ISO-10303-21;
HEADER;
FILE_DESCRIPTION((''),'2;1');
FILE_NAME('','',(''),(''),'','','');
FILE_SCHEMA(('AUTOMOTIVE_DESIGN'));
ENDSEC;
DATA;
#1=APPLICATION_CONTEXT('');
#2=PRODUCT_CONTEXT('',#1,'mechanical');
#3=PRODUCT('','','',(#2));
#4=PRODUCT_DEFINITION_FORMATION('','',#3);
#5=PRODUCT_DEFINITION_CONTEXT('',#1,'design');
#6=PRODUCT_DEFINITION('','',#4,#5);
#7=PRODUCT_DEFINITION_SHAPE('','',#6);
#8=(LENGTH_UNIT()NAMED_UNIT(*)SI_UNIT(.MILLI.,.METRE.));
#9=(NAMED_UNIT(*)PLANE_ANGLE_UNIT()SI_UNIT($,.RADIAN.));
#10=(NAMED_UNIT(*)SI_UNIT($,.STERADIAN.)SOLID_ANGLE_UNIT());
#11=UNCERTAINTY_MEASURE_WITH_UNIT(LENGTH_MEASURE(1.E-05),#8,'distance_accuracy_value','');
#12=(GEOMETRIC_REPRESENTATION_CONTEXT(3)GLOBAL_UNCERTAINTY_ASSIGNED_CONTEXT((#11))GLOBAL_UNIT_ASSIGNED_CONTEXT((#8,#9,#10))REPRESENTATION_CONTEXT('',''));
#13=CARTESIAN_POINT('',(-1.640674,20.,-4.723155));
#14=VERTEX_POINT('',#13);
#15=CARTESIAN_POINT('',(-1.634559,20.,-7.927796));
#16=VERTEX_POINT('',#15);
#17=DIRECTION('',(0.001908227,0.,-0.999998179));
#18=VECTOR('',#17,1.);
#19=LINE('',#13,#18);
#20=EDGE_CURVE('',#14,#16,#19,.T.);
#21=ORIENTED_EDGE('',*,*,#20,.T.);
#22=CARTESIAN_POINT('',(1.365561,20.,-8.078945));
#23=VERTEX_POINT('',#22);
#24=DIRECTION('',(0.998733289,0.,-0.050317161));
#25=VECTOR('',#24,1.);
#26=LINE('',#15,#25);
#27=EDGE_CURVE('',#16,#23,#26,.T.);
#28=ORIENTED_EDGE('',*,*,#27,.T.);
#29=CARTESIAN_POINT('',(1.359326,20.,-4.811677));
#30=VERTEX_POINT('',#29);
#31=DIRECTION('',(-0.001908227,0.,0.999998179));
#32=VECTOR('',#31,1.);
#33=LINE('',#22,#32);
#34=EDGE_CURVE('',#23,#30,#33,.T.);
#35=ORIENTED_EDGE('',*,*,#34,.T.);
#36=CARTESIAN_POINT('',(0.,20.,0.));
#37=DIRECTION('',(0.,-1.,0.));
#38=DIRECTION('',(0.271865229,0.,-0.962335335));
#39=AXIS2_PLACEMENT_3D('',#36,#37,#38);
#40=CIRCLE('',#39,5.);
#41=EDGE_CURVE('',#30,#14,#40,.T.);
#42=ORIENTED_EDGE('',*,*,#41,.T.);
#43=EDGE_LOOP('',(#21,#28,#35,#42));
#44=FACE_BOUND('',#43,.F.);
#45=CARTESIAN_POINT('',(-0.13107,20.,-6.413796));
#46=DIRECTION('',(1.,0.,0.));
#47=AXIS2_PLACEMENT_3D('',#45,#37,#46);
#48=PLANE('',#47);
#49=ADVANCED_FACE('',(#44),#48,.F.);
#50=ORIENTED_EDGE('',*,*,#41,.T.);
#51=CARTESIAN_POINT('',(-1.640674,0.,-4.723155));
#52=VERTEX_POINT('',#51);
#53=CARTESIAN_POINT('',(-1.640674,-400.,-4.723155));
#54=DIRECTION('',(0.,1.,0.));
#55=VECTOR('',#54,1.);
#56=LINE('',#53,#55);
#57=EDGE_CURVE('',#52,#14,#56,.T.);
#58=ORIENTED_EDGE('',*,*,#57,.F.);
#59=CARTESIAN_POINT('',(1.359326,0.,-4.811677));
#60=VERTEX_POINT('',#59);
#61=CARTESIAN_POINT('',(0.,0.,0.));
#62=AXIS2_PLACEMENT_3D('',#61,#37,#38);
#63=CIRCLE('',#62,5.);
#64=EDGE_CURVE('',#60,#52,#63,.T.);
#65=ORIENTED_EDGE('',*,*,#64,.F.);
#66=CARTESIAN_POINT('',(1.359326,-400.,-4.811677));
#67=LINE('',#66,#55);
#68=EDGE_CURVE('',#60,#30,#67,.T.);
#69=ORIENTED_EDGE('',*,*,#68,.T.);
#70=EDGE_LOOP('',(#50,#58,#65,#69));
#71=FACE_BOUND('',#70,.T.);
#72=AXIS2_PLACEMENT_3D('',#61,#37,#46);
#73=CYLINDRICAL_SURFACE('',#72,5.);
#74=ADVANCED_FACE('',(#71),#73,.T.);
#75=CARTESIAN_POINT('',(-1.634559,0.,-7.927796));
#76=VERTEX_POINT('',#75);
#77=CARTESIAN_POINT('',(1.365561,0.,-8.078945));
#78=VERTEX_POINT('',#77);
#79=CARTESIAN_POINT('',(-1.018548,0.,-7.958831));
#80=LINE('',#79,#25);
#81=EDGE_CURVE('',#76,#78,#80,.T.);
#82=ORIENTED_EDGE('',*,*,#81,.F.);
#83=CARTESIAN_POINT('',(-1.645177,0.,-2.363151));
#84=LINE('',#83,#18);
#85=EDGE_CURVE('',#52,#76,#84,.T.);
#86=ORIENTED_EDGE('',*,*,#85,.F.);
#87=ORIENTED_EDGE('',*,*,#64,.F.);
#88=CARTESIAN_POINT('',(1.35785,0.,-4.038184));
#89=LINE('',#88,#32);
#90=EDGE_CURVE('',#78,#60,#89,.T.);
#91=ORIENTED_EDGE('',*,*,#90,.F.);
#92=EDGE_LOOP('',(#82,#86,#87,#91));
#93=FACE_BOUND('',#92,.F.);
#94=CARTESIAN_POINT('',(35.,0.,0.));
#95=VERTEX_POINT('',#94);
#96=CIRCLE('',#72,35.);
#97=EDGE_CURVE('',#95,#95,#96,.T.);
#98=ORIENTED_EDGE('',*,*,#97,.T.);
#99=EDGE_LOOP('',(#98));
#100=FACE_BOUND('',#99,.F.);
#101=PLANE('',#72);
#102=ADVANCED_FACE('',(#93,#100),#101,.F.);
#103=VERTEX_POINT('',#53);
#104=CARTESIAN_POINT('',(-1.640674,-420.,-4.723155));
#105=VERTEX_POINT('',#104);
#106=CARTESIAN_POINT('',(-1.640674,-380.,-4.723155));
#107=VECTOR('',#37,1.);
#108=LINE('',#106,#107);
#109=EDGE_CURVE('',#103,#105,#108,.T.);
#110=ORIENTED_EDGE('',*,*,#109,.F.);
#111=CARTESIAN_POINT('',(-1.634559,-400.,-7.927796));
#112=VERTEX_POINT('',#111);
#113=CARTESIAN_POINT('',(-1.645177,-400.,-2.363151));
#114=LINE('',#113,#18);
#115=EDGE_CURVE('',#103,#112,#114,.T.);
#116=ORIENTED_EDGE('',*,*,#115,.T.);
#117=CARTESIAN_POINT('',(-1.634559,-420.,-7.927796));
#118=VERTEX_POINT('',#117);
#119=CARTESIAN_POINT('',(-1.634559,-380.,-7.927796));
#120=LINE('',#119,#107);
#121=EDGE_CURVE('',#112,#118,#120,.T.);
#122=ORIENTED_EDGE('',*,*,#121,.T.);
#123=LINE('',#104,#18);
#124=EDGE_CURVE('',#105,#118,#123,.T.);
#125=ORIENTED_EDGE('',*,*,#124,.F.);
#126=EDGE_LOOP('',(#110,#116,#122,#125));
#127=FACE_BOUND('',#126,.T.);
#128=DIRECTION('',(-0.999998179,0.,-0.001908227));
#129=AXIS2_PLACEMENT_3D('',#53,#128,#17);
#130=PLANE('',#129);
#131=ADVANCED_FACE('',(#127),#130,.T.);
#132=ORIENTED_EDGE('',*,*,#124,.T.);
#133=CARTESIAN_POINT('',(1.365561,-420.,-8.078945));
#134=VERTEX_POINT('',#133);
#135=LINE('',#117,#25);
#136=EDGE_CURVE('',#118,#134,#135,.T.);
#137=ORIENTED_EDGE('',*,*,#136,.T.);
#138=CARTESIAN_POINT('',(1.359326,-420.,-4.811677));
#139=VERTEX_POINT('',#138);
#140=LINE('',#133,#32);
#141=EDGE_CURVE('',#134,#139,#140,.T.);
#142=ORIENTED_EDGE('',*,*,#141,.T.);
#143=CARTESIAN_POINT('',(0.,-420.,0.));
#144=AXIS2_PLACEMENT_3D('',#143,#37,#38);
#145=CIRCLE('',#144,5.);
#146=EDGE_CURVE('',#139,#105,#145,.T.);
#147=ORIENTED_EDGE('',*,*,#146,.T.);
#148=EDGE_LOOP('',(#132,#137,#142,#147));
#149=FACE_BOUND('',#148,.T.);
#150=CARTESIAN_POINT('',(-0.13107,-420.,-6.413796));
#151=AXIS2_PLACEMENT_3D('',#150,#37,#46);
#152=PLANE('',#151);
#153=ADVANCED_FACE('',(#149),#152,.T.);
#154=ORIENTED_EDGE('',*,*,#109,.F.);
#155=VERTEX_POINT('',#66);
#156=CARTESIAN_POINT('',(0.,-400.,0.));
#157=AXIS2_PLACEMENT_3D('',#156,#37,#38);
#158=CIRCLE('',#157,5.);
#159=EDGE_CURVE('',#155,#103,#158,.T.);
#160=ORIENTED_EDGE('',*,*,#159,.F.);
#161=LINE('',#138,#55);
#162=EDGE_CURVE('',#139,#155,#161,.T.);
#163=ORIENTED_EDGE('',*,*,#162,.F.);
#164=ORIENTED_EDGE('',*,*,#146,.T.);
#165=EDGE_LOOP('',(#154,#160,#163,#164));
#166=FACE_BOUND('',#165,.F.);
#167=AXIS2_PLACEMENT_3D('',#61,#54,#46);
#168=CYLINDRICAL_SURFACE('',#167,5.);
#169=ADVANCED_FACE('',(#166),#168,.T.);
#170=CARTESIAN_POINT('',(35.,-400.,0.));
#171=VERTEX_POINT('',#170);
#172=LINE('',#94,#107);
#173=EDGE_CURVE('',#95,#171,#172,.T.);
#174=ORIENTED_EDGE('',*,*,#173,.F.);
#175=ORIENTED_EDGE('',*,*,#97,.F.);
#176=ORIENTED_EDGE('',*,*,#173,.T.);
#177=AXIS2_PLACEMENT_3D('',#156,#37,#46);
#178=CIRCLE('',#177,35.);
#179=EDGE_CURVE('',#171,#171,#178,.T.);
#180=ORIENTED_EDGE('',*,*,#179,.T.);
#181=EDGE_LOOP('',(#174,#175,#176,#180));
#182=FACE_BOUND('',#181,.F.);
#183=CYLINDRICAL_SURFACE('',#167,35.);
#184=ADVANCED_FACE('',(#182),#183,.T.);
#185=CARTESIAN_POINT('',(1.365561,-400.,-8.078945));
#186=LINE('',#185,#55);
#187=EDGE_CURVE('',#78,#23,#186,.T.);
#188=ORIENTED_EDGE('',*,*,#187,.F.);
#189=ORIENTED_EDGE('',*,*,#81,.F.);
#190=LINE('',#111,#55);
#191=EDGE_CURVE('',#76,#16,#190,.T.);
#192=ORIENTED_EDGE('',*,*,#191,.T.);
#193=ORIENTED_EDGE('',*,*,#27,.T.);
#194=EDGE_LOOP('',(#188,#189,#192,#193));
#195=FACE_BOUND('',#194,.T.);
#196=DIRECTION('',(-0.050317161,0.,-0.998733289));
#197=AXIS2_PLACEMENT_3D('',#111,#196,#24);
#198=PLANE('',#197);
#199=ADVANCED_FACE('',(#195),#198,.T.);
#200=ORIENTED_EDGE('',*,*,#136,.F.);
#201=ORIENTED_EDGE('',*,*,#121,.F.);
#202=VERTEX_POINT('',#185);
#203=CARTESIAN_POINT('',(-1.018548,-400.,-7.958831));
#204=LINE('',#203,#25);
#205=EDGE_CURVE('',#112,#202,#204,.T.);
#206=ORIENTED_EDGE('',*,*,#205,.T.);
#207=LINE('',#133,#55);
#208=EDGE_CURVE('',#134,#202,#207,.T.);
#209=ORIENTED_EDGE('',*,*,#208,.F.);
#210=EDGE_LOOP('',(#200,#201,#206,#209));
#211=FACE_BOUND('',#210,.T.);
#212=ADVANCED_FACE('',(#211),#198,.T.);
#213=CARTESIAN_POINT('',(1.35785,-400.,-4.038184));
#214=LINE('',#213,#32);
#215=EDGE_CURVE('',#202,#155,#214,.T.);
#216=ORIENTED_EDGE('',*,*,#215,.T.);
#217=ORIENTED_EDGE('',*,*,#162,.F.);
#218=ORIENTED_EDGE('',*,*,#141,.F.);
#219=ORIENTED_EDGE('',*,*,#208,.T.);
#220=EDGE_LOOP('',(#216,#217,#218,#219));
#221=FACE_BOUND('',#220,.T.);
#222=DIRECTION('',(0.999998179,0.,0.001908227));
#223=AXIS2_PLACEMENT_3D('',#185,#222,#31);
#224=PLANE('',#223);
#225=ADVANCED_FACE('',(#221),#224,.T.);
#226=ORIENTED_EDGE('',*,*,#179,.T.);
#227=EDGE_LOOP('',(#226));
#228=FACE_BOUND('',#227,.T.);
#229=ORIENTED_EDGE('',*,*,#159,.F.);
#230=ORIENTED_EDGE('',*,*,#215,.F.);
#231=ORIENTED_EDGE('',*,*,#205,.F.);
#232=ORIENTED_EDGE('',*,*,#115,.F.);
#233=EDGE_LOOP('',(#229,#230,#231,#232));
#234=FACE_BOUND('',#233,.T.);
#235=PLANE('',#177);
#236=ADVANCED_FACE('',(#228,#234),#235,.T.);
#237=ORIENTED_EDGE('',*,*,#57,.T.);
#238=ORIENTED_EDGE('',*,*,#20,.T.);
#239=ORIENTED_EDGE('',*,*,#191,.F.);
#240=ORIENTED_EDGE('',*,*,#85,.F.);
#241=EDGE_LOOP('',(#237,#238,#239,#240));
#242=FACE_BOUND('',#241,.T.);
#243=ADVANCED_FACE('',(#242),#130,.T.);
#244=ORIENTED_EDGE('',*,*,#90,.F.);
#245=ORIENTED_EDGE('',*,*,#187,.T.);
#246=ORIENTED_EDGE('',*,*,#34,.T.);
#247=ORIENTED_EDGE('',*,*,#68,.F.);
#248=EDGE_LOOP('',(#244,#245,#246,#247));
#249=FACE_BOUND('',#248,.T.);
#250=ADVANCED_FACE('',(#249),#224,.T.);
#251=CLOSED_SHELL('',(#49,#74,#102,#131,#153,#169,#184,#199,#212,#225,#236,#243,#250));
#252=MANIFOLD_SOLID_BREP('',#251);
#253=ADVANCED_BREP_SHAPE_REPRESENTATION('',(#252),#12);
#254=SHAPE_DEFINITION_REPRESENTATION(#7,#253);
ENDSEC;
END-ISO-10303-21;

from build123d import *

# Parameters (mm, degrees)
F0_R     = 35
F1_DEPTH = 400
F2_R     = 5
F3_DEPTH = 20
F4_DEPTH = 420
F6_DEPTH = 20
F7_DEPTH = 420


with BuildPart() as f1:
    # F0 (on Front) → F1 (new body)
    with BuildSketch(Plane.XZ):
        Circle(F0_R)
    extrude(amount=F1_DEPTH)

    # F2 (on Front) → F3 (join)
    with BuildSketch(Plane.XZ):
        Circle(F2_R)
    extrude(amount=-F3_DEPTH)

    # F2 (on Front) → F4 (join)
    with BuildSketch(Plane.XZ):
        Circle(F2_R)
    extrude(amount=F4_DEPTH)

    # F5 (on face) → F6 (join, symmetric)
    with BuildSketch(Plane.XZ.offset(400)):
        with BuildLine():
            ThreePointArc((1.3593261446, -4.8116766758), (-0.1474726193, -4.9978247095), (-1.6406738554, -4.723154592))
            Line((-1.6406738554, -4.723154592), (-1.6345586628, -7.9277958721))
            Line((-1.6345586628, -7.9277958721), (1.3655608437, -8.0789448297))
            Line((1.3655608437, -8.0789448297), (1.3593261446, -4.8116766758))
        make_face()
    extrude(amount=F6_DEPTH, both=True)

    # F5 (on face) → F7 (join)
    with BuildSketch(Plane.XZ.offset(400)):
        with BuildLine():
            ThreePointArc((1.3593261446, -4.8116766758), (-0.1474726193, -4.9978247095), (-1.6406738554, -4.723154592))
            Line((-1.6406738554, -4.723154592), (-1.6345586628, -7.9277958721))
            Line((-1.6345586628, -7.9277958721), (1.3655608437, -8.0789448297))
            Line((1.3655608437, -8.0789448297), (1.3593261446, -4.8116766758))
        make_face()
    extrude(amount=-F7_DEPTH)


solid = f1.part
